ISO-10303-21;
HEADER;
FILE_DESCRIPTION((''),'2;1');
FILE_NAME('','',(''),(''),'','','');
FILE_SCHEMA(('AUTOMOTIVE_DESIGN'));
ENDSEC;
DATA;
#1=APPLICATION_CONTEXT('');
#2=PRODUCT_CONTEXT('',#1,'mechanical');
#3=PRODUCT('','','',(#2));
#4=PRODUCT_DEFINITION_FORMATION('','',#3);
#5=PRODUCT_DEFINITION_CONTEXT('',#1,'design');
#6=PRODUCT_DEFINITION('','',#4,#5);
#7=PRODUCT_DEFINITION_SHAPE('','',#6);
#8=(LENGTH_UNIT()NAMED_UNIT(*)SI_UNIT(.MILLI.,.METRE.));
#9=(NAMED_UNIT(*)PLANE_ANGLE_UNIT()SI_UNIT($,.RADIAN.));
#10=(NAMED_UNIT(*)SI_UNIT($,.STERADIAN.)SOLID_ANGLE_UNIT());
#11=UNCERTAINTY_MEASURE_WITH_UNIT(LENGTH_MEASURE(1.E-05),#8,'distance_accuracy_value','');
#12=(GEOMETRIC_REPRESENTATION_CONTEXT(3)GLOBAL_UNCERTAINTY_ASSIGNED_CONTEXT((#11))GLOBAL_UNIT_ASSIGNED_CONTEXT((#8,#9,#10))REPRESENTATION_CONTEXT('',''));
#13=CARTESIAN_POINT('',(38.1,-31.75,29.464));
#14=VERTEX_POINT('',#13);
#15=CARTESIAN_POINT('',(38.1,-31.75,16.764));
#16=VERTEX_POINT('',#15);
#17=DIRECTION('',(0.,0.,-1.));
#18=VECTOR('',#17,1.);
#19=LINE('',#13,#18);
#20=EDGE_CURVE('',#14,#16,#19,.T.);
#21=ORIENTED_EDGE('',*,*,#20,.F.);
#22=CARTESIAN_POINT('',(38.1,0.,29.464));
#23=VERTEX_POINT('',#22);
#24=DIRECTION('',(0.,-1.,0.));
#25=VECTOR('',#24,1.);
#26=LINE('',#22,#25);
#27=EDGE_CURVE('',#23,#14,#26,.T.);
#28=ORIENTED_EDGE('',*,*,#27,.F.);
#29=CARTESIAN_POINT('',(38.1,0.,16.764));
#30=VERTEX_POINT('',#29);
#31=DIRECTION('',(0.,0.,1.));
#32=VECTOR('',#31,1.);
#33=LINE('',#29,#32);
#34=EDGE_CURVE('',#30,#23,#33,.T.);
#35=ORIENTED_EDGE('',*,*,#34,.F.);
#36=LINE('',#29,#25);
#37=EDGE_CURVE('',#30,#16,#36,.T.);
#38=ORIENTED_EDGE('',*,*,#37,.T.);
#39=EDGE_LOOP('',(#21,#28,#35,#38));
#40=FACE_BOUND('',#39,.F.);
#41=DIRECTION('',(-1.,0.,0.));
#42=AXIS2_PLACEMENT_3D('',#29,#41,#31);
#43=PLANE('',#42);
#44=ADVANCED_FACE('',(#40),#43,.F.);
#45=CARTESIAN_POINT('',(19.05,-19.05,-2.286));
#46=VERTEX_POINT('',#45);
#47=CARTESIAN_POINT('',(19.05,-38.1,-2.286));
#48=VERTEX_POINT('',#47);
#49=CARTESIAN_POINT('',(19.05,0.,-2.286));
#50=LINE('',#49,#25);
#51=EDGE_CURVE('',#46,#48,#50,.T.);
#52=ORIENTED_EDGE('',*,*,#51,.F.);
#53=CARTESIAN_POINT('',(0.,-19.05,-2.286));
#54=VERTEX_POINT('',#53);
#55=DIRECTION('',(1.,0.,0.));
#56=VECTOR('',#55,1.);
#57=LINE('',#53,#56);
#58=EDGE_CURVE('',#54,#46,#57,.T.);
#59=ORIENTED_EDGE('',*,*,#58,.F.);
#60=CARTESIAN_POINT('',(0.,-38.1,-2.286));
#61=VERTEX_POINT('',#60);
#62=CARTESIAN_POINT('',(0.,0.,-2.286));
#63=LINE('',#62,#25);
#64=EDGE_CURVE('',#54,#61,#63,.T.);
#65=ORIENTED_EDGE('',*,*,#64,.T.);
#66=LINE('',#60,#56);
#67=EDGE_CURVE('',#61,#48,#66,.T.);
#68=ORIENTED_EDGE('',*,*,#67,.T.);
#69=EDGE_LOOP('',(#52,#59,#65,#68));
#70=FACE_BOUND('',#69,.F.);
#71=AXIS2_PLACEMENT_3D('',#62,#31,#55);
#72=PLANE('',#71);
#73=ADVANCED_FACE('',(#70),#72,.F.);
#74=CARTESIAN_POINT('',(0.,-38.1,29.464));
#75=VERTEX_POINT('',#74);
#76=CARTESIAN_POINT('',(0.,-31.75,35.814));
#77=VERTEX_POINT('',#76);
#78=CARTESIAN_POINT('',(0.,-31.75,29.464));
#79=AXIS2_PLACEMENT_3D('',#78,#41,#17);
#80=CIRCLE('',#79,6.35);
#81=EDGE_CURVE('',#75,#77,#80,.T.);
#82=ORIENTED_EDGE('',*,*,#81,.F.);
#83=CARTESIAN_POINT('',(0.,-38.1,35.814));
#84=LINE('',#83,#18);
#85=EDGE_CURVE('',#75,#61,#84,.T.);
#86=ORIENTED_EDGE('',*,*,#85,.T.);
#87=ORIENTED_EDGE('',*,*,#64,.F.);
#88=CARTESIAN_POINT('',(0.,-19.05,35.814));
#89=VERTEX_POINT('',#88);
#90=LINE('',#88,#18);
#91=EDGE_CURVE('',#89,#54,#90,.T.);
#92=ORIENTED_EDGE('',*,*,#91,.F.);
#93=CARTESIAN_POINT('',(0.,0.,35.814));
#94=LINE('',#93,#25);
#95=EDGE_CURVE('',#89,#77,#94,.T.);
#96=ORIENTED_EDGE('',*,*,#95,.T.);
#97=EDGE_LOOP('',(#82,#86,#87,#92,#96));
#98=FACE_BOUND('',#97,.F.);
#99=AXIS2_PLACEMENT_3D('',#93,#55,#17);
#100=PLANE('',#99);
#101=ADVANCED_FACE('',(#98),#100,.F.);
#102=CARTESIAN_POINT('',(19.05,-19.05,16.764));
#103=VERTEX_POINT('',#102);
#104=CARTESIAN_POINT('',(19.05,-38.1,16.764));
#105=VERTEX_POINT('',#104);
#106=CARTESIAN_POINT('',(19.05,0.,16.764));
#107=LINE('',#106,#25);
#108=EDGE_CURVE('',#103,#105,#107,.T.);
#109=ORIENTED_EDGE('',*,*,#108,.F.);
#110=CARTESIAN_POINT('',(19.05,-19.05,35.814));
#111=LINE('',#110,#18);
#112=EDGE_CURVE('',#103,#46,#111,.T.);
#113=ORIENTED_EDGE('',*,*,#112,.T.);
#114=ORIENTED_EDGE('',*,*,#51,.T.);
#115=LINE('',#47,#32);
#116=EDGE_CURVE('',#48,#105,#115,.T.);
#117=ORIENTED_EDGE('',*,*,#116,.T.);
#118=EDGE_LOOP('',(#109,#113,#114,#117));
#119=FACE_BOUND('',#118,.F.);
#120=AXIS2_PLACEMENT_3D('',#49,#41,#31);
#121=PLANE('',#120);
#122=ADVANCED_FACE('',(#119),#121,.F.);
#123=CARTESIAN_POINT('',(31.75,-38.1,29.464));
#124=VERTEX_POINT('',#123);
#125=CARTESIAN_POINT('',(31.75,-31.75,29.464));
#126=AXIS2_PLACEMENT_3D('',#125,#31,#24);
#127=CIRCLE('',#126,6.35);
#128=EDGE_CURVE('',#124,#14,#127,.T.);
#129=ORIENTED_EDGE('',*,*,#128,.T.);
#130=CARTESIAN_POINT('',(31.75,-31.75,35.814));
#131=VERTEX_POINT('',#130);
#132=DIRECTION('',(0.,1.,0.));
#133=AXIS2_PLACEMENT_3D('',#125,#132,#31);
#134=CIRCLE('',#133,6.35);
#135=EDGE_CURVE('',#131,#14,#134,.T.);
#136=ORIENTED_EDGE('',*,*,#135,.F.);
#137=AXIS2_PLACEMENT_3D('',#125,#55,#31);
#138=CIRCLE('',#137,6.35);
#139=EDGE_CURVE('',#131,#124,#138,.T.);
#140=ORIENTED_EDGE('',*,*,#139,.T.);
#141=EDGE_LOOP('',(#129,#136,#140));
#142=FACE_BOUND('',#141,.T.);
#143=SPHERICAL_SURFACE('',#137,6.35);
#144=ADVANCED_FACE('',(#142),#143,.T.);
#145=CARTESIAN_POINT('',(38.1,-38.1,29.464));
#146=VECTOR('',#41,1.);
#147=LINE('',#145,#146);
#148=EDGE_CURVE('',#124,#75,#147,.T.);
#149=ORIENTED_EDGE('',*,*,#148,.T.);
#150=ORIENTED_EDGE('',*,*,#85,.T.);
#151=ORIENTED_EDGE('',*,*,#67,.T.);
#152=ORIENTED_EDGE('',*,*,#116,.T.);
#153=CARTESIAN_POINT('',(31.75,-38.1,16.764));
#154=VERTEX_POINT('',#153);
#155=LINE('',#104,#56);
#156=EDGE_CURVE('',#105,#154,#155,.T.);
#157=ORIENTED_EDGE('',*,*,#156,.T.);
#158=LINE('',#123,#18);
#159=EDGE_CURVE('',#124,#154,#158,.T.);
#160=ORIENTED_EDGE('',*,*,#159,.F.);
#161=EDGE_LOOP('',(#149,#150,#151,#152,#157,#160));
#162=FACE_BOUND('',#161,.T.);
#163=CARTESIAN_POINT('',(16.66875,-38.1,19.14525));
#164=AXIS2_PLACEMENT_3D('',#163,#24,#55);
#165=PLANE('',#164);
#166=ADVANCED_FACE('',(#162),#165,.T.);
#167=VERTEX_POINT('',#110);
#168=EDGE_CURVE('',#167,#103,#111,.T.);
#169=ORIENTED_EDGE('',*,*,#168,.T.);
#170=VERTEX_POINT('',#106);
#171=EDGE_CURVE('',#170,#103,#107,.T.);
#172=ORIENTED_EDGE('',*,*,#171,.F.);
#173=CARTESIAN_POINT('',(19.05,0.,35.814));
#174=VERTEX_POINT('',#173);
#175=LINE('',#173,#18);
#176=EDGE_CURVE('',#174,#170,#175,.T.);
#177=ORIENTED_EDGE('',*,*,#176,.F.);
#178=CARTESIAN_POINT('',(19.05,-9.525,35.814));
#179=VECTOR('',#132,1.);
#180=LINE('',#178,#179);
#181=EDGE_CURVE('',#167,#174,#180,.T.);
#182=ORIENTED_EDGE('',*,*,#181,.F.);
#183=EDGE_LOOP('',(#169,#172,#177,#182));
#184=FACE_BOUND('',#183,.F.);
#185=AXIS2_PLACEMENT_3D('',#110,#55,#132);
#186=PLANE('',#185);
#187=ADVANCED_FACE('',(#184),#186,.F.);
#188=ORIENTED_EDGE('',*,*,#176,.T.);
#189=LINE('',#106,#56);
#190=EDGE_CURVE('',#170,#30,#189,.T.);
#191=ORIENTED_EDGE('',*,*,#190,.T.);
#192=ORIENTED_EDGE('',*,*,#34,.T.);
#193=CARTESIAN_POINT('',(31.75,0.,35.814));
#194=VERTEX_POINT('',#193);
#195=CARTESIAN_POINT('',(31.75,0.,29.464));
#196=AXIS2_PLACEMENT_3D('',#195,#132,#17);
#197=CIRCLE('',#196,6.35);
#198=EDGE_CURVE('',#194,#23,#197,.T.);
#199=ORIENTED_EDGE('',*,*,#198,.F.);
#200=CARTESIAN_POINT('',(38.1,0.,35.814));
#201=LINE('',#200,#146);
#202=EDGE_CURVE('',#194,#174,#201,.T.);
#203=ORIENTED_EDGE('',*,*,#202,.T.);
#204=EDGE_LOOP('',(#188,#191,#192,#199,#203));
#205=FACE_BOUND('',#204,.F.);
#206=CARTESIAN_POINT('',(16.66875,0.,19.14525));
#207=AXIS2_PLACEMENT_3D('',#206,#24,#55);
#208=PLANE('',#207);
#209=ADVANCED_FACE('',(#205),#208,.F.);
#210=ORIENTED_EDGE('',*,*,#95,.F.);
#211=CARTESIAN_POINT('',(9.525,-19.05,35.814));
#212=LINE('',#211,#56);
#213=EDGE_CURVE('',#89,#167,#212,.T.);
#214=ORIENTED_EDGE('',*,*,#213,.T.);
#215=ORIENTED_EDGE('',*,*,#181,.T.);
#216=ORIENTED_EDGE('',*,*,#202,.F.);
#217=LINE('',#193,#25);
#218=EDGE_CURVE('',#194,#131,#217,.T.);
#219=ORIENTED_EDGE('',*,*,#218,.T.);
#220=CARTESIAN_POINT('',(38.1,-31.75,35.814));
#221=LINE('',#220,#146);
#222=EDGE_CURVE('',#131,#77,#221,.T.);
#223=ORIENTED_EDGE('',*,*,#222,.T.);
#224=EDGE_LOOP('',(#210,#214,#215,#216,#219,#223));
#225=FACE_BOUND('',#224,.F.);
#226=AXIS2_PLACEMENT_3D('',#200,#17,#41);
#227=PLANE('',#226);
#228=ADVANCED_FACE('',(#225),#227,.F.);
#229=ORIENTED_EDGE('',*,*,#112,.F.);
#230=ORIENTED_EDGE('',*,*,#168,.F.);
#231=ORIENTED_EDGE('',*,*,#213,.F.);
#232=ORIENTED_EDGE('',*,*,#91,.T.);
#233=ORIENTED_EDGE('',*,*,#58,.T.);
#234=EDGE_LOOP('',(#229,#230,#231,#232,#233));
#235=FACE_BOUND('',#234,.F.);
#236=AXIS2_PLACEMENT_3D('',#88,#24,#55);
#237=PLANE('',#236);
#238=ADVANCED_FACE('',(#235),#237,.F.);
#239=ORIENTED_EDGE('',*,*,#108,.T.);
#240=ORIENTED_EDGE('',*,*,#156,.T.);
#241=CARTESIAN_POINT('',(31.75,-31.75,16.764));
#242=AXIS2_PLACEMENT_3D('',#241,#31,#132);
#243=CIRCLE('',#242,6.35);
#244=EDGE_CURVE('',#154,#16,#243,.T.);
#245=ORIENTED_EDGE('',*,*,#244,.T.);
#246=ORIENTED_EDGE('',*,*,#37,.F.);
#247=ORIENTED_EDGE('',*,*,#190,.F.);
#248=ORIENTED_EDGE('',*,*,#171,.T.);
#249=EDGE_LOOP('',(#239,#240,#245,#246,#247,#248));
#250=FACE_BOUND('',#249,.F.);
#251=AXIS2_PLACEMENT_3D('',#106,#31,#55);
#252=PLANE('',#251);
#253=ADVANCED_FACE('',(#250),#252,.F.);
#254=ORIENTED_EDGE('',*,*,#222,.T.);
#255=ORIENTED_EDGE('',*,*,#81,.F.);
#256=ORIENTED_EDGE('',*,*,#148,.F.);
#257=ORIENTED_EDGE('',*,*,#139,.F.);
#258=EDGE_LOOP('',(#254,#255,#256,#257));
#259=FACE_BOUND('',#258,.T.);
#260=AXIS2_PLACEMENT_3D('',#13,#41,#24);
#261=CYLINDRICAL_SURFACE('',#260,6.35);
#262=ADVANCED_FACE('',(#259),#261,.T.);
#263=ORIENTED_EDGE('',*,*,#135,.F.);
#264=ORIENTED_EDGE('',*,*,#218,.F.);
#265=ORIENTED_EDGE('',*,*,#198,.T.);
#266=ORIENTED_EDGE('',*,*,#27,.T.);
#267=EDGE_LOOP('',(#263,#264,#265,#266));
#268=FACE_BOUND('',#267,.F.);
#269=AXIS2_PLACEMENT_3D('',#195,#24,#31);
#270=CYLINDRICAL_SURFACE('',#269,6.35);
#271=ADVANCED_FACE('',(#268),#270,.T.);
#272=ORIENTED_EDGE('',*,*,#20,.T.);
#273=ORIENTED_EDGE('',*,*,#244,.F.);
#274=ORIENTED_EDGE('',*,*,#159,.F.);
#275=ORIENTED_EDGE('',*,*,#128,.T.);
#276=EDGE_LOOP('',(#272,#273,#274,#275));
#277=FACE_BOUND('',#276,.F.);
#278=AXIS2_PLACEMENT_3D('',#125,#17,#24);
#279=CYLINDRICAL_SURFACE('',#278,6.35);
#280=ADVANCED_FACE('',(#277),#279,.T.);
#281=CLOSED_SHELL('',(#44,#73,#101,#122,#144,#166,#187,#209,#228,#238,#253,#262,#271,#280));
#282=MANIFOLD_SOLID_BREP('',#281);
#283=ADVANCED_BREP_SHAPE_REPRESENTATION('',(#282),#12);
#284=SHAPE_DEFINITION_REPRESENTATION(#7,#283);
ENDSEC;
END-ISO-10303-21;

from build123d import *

# Parameters (mm, degrees)
F1_DEPTH = 38.1
F2_W     = 19.05
F2_H     = 19.05
F3_DEPTH = 38.101
F4_R     = 6.35
F5_R     = 6.35


with BuildPart() as f1:
    # F0 (on Front) → F1 (new body)
    with BuildSketch(Plane.XZ):
        Polygon((0, 35.814), (0, -2.286), (19.05, -2.286), (19.05, 16.764), (38.1, 16.764), (38.1, 35.814), align=None)
    extrude(amount=F1_DEPTH)

    # F2 (on face) → F3 (cut, through all)
    with BuildSketch(Plane.XY.offset(35.814)):
        with Locations((9.525, -9.525)):
            Rectangle(F2_W, F2_H)
    extrude(amount=-F3_DEPTH, mode=Mode.SUBTRACT)

    # F4
    f4_edges = [f1.edges().sort_by_distance(p)[0] for p in [
        (19.05, -38.1, 35.814),
    ]]
    fillet(f4_edges, radius=F4_R)

    # F5
    f5_edges = [f1.edges().sort_by_distance(p)[0] for p in [
        (38.1, -15.875, 35.814),
    ]]
    fillet(f5_edges, radius=F5_R)


solid = f1.part
